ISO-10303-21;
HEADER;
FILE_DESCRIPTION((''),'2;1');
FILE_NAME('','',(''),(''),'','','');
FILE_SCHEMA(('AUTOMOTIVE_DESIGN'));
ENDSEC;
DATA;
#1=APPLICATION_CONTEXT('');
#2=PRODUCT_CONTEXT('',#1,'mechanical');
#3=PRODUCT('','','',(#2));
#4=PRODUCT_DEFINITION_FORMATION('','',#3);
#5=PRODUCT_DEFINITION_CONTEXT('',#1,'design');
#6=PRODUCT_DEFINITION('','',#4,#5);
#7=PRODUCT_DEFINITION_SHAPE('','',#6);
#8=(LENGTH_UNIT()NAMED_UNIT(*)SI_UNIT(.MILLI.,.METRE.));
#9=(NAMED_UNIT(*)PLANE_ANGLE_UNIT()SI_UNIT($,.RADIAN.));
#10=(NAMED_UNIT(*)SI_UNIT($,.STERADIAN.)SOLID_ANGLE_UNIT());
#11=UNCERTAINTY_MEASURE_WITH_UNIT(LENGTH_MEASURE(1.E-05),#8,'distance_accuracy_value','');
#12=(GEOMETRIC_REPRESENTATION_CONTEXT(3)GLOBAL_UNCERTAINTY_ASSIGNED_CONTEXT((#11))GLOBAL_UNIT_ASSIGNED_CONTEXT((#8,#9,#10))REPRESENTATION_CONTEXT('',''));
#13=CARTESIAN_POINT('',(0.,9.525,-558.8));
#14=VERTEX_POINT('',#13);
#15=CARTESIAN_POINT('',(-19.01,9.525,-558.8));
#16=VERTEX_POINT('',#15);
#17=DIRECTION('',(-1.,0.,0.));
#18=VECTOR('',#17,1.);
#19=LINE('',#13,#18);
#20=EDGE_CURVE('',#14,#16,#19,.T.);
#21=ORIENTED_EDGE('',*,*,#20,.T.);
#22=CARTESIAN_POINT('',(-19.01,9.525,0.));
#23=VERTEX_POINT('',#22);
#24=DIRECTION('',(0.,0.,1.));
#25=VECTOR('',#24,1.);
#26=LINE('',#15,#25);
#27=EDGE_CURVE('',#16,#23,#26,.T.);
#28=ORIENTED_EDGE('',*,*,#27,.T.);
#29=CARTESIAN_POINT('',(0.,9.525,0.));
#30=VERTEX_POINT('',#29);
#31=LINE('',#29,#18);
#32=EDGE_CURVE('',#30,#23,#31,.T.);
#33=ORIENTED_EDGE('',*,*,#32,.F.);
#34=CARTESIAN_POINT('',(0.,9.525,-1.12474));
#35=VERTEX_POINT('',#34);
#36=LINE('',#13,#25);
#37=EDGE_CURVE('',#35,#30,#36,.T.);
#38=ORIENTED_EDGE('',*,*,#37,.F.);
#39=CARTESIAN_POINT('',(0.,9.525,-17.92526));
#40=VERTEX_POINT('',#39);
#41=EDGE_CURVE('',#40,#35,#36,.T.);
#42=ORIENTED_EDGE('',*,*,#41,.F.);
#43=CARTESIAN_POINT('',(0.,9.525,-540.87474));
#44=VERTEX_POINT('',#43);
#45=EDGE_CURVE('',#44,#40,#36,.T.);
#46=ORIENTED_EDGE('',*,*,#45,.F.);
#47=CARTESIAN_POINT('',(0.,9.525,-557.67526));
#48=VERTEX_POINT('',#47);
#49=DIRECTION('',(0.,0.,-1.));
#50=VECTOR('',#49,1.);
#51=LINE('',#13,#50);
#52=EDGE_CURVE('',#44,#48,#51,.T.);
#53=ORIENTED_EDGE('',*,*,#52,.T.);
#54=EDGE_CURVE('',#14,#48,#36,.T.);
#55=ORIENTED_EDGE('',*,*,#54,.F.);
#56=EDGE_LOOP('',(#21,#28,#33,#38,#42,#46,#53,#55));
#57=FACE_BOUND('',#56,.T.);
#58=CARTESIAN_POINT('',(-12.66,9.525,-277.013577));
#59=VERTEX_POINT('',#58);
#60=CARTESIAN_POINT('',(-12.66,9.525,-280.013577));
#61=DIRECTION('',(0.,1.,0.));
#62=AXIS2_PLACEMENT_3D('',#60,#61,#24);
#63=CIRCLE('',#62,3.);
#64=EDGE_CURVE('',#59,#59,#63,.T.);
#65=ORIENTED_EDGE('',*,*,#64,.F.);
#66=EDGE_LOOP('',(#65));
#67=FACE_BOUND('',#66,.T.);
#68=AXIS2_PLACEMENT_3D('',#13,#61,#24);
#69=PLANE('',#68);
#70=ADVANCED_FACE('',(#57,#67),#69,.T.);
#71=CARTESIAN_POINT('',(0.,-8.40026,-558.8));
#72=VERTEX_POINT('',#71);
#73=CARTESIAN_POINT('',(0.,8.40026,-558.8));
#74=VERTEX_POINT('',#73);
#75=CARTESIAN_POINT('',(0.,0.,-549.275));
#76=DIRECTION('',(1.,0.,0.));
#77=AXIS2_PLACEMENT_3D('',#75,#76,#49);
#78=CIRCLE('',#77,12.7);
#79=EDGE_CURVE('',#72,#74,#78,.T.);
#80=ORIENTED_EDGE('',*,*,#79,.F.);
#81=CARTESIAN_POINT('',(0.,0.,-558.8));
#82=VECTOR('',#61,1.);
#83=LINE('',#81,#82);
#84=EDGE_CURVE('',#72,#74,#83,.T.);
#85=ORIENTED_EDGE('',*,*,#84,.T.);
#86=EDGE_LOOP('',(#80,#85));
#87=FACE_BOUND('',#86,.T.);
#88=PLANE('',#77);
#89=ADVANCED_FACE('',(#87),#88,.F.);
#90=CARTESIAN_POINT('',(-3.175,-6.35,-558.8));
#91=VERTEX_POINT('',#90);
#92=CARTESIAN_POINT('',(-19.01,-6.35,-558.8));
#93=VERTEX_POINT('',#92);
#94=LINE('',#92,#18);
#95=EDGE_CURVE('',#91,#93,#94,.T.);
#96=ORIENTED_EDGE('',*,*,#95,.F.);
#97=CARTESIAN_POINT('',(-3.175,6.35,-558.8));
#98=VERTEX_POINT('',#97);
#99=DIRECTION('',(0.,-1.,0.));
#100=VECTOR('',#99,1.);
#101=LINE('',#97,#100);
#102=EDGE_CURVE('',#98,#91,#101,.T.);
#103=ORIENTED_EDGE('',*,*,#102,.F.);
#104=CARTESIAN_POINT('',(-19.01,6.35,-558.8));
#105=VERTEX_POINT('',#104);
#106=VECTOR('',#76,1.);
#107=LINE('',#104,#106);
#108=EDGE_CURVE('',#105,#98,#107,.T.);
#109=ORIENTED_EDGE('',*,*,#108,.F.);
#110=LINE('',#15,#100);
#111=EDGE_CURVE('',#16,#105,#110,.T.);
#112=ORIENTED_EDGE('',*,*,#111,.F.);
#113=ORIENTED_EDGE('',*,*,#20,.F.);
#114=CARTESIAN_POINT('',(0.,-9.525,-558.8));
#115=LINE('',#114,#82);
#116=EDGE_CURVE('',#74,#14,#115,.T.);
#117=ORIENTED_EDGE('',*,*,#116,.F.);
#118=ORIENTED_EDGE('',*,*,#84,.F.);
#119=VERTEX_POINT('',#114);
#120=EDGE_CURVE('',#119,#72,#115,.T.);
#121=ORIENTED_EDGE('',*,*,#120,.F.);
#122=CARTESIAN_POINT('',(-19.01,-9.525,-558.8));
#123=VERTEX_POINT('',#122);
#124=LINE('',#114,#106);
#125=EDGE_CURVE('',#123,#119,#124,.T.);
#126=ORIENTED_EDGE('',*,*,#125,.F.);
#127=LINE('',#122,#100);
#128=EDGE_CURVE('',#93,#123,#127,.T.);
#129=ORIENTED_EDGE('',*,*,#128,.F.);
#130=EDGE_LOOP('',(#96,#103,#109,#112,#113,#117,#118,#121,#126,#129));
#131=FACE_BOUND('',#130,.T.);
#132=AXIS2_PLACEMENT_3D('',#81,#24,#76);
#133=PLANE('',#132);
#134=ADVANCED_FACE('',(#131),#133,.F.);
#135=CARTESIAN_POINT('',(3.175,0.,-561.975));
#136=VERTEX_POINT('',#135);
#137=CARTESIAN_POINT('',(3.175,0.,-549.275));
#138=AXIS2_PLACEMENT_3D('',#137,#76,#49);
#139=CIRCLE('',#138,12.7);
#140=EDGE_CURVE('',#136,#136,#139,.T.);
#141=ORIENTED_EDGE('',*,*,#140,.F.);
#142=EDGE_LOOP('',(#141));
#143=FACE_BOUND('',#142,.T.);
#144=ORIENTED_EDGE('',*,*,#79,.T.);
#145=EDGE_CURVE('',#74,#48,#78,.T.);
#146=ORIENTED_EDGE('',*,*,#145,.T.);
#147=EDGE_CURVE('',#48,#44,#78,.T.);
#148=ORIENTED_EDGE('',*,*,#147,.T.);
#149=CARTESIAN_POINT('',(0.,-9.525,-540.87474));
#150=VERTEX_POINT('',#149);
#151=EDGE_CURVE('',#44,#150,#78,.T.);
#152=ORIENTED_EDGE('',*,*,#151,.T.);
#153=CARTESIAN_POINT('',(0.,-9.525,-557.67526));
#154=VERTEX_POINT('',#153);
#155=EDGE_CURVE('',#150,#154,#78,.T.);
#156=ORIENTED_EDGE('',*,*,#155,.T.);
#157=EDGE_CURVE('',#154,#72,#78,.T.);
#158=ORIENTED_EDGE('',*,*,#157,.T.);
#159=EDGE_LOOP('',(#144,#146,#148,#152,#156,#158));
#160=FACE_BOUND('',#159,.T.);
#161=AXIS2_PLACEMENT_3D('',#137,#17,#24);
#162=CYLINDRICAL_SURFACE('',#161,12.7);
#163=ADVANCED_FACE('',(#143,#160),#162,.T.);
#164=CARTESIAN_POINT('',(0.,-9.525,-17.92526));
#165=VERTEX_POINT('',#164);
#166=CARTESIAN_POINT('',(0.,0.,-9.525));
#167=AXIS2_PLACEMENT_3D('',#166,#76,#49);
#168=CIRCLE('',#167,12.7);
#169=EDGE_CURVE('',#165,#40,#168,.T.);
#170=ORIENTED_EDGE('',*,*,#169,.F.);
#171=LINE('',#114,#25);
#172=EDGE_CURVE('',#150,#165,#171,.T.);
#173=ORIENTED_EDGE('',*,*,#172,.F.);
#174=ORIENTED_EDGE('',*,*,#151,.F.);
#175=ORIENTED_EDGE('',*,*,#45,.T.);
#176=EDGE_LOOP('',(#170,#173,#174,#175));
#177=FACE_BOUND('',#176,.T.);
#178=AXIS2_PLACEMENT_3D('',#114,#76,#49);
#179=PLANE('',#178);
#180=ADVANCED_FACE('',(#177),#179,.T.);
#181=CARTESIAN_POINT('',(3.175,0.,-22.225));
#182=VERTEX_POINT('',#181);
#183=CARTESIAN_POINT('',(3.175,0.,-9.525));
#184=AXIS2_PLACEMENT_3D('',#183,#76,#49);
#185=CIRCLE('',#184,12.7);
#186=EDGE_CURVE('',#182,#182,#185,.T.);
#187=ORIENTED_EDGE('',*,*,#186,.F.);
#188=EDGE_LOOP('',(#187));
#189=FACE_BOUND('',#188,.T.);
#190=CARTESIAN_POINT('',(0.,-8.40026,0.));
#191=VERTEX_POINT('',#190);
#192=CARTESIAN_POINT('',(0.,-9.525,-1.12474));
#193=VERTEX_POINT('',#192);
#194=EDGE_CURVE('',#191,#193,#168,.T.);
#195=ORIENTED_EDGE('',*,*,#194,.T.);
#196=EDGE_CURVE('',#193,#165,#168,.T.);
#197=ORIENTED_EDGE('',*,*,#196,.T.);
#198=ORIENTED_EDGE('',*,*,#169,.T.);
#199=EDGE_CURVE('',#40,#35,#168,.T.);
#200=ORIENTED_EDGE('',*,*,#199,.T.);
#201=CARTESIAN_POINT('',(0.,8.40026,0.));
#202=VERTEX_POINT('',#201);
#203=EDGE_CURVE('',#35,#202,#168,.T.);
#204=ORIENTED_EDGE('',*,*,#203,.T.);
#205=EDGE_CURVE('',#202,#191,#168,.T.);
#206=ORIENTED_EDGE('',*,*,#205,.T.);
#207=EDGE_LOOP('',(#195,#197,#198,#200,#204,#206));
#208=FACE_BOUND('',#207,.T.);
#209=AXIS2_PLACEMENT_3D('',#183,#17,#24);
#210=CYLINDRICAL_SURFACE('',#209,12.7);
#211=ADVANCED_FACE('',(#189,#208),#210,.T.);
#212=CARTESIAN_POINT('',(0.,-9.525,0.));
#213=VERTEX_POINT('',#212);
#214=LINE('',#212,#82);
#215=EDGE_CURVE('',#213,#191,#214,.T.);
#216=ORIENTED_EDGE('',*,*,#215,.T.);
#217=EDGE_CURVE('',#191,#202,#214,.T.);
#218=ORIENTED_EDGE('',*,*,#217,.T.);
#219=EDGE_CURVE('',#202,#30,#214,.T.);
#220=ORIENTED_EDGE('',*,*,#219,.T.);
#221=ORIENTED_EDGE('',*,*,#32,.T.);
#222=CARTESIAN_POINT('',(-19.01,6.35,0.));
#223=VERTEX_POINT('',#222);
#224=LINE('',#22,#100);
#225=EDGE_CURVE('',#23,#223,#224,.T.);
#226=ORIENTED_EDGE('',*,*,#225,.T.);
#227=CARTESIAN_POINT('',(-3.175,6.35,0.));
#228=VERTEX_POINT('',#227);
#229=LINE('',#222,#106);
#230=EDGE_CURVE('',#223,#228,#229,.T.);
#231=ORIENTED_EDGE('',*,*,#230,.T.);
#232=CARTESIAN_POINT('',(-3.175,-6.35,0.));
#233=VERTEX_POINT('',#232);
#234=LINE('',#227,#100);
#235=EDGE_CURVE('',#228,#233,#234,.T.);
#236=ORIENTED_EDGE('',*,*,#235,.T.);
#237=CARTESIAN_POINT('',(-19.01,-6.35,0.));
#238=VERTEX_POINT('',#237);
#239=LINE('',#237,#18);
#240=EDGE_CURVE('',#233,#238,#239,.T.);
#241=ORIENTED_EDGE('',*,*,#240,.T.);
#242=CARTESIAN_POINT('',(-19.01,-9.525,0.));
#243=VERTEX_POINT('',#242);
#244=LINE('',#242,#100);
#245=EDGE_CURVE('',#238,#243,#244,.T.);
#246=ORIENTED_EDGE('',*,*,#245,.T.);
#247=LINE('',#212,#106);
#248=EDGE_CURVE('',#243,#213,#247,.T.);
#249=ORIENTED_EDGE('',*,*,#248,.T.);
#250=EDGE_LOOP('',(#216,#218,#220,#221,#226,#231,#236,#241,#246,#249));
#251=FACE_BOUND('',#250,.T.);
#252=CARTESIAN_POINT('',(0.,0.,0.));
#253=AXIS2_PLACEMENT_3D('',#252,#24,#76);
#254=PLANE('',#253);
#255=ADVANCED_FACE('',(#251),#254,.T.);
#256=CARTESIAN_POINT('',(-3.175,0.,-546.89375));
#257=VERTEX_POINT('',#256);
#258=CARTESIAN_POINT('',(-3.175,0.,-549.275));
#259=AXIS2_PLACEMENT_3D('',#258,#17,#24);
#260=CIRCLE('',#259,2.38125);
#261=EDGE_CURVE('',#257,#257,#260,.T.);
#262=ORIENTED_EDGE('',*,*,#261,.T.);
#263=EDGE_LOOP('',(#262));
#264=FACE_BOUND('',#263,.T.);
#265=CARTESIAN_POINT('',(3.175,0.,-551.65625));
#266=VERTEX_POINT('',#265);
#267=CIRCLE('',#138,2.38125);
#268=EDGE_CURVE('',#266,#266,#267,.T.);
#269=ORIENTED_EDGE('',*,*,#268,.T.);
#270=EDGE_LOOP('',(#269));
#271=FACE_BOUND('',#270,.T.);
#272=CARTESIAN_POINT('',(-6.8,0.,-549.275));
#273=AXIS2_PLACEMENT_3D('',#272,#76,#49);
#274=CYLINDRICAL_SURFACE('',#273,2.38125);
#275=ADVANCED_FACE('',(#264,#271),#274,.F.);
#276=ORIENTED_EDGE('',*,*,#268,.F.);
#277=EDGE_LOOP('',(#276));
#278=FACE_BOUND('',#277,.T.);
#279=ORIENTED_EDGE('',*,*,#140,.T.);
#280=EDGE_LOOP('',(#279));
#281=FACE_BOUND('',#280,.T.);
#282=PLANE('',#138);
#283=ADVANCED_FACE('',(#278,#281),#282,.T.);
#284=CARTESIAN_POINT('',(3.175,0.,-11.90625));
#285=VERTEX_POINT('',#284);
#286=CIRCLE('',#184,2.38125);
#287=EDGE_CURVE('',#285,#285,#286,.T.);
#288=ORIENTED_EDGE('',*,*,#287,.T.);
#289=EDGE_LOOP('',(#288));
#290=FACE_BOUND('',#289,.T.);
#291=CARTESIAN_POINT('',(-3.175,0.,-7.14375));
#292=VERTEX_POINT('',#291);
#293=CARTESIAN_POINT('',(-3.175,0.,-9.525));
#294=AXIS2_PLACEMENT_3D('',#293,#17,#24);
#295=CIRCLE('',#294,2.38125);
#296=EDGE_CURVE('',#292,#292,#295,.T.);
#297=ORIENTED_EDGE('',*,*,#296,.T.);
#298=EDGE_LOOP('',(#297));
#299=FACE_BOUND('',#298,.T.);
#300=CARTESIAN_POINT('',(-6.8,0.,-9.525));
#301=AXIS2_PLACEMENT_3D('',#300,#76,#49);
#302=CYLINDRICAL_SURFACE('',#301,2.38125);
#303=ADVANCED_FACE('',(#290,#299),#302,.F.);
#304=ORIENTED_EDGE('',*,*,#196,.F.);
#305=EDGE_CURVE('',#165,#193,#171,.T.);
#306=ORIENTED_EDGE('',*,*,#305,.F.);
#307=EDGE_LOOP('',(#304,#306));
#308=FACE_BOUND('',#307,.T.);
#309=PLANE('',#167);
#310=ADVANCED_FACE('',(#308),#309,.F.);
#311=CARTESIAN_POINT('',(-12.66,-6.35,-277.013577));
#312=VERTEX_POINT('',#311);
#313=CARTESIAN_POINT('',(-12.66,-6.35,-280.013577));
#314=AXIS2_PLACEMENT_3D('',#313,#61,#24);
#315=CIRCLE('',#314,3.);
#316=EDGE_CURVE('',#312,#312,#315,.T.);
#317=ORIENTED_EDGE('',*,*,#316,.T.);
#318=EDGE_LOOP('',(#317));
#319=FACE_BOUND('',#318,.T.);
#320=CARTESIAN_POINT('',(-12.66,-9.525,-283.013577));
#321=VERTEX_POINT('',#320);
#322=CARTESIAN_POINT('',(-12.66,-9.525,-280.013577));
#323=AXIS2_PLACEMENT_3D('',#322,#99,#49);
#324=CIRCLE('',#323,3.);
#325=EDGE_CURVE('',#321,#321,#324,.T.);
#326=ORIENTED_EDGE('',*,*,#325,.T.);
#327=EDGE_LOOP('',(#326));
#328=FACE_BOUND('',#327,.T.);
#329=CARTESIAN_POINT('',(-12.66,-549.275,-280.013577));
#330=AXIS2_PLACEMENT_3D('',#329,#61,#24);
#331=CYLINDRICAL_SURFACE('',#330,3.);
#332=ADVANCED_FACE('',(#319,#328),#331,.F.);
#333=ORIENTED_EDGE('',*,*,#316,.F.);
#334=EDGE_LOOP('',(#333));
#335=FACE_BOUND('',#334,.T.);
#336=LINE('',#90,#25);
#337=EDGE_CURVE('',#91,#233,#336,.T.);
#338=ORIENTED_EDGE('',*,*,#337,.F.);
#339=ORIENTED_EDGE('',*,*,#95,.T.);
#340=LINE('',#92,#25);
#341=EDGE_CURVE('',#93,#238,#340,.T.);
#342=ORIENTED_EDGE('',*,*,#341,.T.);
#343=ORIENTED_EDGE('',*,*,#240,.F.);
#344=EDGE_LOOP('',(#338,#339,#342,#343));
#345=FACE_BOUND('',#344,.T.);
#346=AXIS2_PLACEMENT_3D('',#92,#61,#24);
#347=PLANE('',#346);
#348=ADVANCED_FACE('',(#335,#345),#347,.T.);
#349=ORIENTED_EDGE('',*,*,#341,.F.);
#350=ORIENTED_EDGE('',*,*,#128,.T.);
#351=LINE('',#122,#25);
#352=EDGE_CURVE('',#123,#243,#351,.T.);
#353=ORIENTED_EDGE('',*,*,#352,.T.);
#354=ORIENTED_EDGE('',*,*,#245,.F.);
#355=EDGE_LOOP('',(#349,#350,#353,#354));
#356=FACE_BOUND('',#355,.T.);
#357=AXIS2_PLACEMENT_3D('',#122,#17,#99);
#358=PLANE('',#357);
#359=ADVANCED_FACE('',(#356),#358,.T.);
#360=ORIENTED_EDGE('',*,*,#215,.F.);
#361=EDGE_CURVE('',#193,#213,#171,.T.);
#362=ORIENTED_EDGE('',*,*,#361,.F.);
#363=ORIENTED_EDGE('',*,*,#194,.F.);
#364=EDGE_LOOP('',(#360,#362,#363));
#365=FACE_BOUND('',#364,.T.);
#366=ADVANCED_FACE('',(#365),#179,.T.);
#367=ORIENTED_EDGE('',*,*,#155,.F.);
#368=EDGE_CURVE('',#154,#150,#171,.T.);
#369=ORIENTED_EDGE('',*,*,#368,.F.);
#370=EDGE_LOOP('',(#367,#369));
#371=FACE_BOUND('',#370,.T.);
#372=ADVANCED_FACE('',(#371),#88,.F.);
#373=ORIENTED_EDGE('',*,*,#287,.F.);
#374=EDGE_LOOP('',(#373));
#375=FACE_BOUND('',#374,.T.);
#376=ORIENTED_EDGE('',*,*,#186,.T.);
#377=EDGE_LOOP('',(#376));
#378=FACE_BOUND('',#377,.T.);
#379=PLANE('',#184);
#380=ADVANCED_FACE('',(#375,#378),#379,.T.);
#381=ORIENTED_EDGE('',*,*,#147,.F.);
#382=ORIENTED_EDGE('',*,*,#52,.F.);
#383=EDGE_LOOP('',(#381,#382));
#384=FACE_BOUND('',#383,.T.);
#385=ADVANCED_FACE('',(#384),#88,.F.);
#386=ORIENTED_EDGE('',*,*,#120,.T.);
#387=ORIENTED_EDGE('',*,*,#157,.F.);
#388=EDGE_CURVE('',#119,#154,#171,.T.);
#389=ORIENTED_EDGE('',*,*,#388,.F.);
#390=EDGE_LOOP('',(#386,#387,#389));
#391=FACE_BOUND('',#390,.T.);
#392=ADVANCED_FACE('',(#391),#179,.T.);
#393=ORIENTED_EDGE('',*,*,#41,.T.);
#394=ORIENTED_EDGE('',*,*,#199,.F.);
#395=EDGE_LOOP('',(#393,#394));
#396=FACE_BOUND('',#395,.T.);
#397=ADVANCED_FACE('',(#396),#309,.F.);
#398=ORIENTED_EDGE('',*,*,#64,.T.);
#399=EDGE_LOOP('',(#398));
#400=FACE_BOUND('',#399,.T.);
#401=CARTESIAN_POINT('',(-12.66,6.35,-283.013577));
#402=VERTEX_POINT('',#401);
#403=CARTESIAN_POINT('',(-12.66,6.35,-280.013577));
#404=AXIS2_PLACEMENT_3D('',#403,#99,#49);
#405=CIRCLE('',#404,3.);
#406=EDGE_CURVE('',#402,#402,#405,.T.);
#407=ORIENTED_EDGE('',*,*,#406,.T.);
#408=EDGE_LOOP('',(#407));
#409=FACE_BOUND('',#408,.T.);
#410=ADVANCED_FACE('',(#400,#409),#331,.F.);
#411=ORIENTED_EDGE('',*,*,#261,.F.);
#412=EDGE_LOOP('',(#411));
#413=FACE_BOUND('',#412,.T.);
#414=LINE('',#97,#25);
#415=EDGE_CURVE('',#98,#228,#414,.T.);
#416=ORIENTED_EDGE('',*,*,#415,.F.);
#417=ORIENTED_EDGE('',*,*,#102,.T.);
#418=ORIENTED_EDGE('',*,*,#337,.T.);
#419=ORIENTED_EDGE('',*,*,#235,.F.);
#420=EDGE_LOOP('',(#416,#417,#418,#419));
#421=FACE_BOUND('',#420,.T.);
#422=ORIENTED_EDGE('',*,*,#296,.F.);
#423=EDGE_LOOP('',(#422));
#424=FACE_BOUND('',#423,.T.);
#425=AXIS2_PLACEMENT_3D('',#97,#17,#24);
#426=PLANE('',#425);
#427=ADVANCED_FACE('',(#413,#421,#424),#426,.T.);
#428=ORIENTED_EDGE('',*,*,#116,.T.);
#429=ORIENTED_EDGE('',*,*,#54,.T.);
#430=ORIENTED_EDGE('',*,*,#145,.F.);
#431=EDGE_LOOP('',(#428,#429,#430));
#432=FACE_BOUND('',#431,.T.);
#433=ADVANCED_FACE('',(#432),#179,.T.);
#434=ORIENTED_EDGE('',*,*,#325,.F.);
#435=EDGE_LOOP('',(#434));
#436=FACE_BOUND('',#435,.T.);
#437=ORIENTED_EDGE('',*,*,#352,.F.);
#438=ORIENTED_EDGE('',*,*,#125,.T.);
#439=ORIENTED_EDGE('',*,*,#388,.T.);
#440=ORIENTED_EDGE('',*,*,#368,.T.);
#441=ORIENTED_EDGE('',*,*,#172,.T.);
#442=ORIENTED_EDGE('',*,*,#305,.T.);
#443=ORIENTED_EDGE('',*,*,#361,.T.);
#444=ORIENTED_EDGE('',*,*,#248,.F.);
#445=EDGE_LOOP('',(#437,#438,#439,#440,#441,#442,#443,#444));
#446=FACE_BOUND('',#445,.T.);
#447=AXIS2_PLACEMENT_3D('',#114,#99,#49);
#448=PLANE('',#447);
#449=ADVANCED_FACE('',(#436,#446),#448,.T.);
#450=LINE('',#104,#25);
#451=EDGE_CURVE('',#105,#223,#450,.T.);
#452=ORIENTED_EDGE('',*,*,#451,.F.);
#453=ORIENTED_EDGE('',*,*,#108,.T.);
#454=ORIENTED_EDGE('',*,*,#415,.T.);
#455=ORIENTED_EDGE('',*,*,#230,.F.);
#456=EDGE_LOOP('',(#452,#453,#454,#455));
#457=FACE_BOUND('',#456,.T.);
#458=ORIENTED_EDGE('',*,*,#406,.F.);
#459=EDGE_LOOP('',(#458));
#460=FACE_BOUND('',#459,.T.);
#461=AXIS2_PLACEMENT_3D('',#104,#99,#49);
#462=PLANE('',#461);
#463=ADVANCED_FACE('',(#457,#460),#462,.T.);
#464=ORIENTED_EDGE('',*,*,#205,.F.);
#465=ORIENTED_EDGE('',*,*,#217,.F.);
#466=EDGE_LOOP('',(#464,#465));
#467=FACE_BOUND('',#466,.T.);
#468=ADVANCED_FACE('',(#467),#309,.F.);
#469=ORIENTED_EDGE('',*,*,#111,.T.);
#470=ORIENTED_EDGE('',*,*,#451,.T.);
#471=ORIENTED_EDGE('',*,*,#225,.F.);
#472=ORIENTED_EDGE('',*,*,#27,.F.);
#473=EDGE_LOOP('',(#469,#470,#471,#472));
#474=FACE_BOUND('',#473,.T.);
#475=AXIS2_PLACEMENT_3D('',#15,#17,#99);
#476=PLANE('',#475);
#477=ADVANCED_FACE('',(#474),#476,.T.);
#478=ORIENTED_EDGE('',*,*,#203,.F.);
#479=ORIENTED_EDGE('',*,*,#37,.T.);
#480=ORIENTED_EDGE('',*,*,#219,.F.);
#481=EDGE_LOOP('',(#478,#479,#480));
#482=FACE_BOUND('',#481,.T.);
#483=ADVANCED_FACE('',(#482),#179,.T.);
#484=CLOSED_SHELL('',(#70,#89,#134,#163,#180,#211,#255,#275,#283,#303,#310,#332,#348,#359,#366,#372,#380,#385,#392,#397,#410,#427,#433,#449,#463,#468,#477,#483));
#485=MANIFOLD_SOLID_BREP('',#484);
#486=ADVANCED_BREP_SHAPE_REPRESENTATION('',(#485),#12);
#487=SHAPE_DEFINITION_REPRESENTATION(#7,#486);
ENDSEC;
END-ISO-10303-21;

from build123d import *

# Parameters (mm, degrees)
BOSS_EXTRUDE1_DEPTH = 558.8
SKETCH2_R           = 3
CUT_EXTRUDE1_DEPTH  = 558.8
SKETCH4_R           = 2.38125
CUT_EXTRUDE8_DEPTH  = 6.8
BOSS_EXTRUDE3_START = 3.175
SKETCH5_R           = 12.7
SKETCH5_R_2         = 2.38125
BOSS_EXTRUDE3_DEPTH = 3.175


with BuildPart() as part:
    # Sketch1 → Boss-Extrude1 (new body)
    with BuildSketch(Plane.XY):
        Polygon((0, -9.525), (0, 9.525), (-19.01, 9.525), (-19.01, 6.35), (-3.175, 6.35), (-3.175, -6.35), (-19.01, -6.35), (-19.01, -9.525), align=None)
    extrude(amount=-BOSS_EXTRUDE1_DEPTH)

    # Sketch2 → Cut-Extrude1 (cut)
    with BuildSketch(Plane(origin=(0, 9.525, 0), x_dir=(1, 0, 0), z_dir=(0, 1, 0))):
        with Locations(Location((-12.66, 280.013576808, 0), (0, 0, 270))):
            Circle(SKETCH2_R)
    extrude(amount=-CUT_EXTRUDE1_DEPTH, mode=Mode.SUBTRACT)

    # Sketch4 → Cut-Extrude8 (cut)
    with BuildSketch(Plane(origin=(0, 0, 0), x_dir=(0, 0, -1), z_dir=(1, 0, 0))):
        with Locations((9.525, 0)):
            Circle(SKETCH4_R)
        with Locations(Location((549.275, 0, 0), (0, 0, 180))):
            Circle(SKETCH4_R)
    extrude(amount=-CUT_EXTRUDE8_DEPTH, mode=Mode.SUBTRACT)

    # Sketch5 → Boss-Extrude3 (add)
    # profile 1 of 2: a face of its own
    with BuildSketch(Plane(origin=(0, 0, 0), x_dir=(0, 0, -1), z_dir=(1, 0, 0)).offset(BOSS_EXTRUDE3_START)):
        with Locations(Location((9.525, 0, 0), (0, 0, 138.590377891))):
            Circle(SKETCH5_R)
        with Locations((9.525, 0)):
            Circle(SKETCH5_R_2, mode=Mode.SUBTRACT)
    # profile 2 of 2: a face of its own
    with BuildSketch(Plane(origin=(0, 0, 0), x_dir=(0, 0, -1), z_dir=(1, 0, 0)).offset(BOSS_EXTRUDE3_START)):
        with Locations(Location((549.275, 0, 0), (0, 0, 228.590377891))):
            Circle(SKETCH5_R)
        with Locations((549.275, 0)):
            Circle(SKETCH5_R_2, mode=Mode.SUBTRACT)
    extrude(amount=-BOSS_EXTRUDE3_DEPTH)


solid = part.part
